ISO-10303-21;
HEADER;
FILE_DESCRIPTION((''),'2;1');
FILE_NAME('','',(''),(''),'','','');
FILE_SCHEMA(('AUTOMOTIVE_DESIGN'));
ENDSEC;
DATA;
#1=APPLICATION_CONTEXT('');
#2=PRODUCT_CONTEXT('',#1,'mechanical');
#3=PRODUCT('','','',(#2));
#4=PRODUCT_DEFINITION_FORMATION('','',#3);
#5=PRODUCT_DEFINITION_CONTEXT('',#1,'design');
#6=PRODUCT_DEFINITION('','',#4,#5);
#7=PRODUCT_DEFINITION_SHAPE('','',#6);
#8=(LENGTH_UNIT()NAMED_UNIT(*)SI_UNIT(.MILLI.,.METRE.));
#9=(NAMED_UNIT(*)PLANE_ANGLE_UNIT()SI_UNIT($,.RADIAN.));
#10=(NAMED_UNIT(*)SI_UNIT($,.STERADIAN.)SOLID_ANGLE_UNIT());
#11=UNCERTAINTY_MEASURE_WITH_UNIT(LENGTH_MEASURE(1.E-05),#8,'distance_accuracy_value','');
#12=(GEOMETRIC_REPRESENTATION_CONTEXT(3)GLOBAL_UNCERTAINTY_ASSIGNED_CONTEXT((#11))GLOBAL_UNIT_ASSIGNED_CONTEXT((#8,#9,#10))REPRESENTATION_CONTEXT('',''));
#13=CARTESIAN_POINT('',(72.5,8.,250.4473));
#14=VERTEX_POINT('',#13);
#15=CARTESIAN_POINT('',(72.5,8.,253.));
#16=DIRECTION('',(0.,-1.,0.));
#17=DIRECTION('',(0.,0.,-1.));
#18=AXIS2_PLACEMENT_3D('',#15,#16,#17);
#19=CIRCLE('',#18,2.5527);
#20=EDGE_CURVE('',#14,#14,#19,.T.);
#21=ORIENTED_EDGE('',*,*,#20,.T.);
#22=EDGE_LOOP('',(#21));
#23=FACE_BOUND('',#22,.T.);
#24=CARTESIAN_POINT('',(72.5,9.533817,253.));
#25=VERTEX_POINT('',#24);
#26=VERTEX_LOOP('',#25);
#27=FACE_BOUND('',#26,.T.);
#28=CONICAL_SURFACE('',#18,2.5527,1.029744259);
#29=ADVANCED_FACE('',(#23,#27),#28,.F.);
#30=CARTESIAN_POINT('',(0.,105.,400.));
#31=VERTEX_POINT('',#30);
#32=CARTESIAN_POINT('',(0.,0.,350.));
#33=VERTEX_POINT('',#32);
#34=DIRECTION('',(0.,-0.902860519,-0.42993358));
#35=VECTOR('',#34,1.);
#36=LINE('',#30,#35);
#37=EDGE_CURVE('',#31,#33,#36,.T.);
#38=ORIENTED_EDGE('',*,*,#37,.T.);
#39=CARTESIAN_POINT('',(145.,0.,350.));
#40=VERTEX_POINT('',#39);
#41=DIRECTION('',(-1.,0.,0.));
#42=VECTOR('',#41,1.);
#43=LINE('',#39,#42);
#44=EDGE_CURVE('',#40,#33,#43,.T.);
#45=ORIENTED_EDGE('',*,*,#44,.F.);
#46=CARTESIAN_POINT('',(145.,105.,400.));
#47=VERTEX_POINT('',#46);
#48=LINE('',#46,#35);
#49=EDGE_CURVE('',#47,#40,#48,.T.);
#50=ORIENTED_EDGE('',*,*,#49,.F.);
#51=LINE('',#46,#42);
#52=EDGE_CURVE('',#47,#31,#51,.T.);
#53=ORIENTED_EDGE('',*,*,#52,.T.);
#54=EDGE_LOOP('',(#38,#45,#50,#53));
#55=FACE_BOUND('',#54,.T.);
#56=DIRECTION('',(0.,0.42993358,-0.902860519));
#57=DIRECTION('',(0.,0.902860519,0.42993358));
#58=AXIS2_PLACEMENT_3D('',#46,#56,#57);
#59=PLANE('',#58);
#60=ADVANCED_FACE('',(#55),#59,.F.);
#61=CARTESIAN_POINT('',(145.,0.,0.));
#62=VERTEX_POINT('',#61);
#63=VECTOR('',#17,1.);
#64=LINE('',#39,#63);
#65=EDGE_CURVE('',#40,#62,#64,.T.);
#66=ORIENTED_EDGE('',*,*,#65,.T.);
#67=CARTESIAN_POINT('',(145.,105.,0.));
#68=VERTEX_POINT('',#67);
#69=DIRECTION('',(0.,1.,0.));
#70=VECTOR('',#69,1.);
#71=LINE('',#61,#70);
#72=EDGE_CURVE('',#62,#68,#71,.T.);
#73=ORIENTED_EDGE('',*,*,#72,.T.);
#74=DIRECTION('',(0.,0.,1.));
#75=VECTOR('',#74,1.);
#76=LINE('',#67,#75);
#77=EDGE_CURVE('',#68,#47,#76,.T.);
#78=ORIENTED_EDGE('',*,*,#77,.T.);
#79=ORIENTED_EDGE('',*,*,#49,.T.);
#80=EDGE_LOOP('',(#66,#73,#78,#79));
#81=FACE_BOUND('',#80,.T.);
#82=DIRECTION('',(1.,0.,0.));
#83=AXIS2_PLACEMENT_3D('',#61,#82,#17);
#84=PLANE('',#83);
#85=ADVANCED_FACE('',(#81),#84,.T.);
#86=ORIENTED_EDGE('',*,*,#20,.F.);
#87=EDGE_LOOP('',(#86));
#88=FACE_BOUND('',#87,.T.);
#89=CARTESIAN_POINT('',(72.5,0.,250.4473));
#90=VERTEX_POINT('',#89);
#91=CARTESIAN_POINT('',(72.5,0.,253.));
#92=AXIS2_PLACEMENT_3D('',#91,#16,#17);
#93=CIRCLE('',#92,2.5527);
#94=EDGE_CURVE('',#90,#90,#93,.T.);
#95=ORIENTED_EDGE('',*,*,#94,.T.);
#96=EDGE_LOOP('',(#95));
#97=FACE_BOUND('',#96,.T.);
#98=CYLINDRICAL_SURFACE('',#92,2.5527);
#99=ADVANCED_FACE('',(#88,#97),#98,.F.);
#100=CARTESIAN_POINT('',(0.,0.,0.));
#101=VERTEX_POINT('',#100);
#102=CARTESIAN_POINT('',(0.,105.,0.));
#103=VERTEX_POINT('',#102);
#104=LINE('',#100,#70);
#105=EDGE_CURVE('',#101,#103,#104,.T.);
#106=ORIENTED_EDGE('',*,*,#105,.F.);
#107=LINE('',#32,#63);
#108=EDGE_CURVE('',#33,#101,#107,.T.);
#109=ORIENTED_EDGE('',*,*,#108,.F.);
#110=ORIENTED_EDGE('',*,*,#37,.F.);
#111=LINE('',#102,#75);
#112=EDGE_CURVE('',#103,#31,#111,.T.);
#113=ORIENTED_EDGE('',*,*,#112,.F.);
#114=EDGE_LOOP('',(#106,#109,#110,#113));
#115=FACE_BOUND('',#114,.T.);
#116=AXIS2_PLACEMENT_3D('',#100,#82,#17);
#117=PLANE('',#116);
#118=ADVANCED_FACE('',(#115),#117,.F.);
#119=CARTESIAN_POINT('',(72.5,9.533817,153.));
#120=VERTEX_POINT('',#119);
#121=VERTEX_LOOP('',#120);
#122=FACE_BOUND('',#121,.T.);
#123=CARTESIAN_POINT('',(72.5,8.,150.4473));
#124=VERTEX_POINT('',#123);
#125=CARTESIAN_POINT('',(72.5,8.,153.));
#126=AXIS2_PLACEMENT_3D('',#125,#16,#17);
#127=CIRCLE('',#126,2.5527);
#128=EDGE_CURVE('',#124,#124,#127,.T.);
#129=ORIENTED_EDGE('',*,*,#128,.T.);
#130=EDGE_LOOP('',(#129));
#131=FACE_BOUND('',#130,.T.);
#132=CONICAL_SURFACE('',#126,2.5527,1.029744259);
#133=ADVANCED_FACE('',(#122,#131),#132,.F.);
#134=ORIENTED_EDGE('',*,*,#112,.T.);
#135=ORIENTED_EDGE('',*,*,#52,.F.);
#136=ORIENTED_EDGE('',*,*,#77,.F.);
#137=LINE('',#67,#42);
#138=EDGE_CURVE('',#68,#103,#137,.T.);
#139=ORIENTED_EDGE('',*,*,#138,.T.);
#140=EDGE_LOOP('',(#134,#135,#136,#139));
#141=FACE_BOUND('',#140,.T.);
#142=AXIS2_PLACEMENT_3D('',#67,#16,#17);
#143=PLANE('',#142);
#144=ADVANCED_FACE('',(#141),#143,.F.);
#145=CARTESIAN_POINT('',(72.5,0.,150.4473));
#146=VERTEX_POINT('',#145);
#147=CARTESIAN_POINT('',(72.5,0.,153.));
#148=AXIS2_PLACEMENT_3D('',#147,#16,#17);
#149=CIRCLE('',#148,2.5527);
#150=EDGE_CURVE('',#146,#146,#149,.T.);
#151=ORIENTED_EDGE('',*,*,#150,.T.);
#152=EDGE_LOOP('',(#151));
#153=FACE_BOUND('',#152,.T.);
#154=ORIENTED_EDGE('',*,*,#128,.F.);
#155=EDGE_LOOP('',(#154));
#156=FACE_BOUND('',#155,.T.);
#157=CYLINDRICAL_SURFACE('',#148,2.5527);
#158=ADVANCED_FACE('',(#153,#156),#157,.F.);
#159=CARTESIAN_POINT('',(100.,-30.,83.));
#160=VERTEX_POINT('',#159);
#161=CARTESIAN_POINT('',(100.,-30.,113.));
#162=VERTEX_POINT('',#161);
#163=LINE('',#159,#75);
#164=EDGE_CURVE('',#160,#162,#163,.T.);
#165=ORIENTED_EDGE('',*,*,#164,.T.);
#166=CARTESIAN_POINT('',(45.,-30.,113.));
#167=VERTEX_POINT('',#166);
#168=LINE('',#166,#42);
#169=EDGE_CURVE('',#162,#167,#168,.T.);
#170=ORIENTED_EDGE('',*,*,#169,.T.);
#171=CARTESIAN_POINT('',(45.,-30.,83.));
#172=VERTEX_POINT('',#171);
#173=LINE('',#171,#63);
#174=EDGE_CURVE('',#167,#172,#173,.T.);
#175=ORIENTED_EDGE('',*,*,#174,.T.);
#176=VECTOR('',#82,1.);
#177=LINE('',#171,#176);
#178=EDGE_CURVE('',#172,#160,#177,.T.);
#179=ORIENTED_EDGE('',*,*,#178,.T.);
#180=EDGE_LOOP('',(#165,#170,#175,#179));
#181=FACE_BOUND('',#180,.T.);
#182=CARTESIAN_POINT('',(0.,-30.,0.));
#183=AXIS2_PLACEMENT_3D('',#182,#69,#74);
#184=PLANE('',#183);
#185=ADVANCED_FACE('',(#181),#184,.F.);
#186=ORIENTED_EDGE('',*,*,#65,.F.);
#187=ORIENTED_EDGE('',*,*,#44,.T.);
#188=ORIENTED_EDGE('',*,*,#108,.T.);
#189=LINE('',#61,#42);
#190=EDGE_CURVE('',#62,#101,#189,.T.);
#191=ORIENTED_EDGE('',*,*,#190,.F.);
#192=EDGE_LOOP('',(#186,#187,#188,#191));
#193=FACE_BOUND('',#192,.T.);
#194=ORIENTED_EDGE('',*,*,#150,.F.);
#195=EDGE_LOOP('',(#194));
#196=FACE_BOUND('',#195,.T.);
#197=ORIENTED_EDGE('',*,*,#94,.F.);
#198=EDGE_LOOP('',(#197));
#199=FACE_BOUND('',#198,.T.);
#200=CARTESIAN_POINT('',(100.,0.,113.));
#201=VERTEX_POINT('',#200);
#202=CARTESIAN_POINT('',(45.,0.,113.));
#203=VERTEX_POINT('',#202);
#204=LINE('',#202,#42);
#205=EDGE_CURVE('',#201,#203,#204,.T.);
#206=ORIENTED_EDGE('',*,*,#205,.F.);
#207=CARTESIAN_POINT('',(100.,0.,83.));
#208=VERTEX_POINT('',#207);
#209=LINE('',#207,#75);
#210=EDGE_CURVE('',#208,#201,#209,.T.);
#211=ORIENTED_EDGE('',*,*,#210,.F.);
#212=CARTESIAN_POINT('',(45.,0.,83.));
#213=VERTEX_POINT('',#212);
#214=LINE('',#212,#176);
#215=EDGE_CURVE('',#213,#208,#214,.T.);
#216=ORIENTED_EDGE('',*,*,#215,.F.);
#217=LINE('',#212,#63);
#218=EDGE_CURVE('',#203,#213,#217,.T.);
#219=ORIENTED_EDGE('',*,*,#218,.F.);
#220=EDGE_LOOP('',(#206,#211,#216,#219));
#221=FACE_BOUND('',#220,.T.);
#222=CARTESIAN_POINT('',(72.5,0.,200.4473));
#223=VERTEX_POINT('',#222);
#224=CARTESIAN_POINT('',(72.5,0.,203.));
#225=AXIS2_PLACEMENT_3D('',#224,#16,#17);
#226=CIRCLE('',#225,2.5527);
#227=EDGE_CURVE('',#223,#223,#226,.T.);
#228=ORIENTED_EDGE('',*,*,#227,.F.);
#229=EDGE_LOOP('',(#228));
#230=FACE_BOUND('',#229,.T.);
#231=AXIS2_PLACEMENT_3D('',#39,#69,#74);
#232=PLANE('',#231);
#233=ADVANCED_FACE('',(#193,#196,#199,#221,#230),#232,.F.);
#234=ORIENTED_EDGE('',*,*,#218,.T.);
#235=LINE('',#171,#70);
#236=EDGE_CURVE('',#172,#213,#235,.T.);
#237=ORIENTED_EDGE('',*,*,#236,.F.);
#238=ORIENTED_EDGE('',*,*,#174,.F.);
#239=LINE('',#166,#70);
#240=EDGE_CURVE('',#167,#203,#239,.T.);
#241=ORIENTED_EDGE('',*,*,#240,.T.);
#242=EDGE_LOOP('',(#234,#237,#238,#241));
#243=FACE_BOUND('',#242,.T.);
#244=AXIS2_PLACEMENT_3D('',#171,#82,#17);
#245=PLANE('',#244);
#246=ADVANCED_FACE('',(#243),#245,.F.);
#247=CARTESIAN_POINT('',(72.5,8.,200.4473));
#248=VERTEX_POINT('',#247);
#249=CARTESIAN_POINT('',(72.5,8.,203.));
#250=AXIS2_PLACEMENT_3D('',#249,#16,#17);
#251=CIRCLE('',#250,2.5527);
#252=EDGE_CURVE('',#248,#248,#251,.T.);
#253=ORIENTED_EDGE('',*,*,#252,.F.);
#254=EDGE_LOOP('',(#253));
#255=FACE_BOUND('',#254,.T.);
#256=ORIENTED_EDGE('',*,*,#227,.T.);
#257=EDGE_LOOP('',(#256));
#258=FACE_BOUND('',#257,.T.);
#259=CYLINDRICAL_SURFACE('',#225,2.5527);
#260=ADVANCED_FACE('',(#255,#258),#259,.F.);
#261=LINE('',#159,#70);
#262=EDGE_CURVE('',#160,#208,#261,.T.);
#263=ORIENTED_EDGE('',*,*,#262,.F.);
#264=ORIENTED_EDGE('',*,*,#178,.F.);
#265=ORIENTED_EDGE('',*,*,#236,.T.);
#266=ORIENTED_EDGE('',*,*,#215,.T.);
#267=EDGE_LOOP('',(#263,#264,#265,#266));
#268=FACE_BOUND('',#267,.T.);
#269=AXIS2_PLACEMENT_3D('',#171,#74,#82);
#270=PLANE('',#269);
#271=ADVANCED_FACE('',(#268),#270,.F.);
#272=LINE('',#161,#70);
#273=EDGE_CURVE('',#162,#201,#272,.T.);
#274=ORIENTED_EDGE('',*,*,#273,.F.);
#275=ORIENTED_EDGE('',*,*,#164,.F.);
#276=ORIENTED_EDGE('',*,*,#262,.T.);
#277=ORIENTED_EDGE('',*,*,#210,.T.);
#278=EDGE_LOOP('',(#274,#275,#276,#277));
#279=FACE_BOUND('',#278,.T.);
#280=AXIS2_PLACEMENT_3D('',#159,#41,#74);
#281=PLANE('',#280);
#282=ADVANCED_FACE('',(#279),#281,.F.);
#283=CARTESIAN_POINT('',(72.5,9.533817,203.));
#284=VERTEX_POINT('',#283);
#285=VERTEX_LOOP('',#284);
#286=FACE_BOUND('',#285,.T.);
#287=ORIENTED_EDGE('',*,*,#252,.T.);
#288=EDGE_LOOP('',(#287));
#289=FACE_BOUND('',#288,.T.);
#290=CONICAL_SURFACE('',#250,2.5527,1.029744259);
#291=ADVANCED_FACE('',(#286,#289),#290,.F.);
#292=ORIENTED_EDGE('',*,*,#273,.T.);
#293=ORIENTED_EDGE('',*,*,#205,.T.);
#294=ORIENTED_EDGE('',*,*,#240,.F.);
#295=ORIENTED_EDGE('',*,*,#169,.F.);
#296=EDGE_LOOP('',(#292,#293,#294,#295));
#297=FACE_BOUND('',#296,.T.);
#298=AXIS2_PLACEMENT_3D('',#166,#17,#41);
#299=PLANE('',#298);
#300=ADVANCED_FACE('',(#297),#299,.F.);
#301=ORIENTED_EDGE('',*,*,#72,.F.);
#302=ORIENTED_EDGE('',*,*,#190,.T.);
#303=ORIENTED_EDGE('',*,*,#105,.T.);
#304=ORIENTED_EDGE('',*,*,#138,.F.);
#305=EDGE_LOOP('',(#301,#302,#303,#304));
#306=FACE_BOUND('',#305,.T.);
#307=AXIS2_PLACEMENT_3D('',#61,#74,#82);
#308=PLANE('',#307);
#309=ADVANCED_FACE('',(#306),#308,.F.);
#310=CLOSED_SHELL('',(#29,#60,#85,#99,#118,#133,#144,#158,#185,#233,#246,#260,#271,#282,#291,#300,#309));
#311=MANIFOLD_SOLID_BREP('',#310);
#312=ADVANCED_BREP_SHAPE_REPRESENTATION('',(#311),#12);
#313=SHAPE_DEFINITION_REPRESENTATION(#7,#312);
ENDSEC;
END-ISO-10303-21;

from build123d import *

# Parameters (mm, degrees)
BOSS_EXTRUDE1_DEPTH             = 145
TAP_DRILL_FOR_1_4_20_TAP1_D     = 5.1054
TAP_DRILL_FOR_1_4_20_TAP1_DEPTH = 8
TAP_DRILL_FOR_1_4_20_TAP1_TIP   = 1.533816902
SKETCH4_W                       = 55
SKETCH4_H                       = 30
BOSS_EXTRUDE2_DEPTH             = 30


with BuildPart() as part:
    # Sketch1 → Boss-Extrude1 (new body)
    with BuildSketch(Plane(origin=(0, 0, 0), x_dir=(0, 0, -1), z_dir=(1, 0, 0))):
        Polygon((-350, 0), (0, 0), (0, 105), (-400, 105), align=None)
    extrude(amount=BOSS_EXTRUDE1_DEPTH)

    # Tap Drill for 1/4-20 Tap1
    with Locations(Plane(origin=(0, 0, 0), x_dir=(-1, 0, 0), z_dir=(0, -1, 0))):
        with Locations((-72.5, -253), (-72.5, -203), (-72.5, -153)):
            Hole(TAP_DRILL_FOR_1_4_20_TAP1_D / 2, depth=TAP_DRILL_FOR_1_4_20_TAP1_DEPTH)
            with Locations((0, 0, -(TAP_DRILL_FOR_1_4_20_TAP1_DEPTH + TAP_DRILL_FOR_1_4_20_TAP1_TIP / 2))):  # 118° drill point
                Cone(0, TAP_DRILL_FOR_1_4_20_TAP1_D / 2, TAP_DRILL_FOR_1_4_20_TAP1_TIP, mode=Mode.SUBTRACT)

    # Sketch4 → Boss-Extrude2 (add)
    with BuildSketch(Plane.XZ):
        with Locations((72.5, 98)):
            Rectangle(SKETCH4_W, SKETCH4_H)
    extrude(amount=BOSS_EXTRUDE2_DEPTH)


solid = part.part
